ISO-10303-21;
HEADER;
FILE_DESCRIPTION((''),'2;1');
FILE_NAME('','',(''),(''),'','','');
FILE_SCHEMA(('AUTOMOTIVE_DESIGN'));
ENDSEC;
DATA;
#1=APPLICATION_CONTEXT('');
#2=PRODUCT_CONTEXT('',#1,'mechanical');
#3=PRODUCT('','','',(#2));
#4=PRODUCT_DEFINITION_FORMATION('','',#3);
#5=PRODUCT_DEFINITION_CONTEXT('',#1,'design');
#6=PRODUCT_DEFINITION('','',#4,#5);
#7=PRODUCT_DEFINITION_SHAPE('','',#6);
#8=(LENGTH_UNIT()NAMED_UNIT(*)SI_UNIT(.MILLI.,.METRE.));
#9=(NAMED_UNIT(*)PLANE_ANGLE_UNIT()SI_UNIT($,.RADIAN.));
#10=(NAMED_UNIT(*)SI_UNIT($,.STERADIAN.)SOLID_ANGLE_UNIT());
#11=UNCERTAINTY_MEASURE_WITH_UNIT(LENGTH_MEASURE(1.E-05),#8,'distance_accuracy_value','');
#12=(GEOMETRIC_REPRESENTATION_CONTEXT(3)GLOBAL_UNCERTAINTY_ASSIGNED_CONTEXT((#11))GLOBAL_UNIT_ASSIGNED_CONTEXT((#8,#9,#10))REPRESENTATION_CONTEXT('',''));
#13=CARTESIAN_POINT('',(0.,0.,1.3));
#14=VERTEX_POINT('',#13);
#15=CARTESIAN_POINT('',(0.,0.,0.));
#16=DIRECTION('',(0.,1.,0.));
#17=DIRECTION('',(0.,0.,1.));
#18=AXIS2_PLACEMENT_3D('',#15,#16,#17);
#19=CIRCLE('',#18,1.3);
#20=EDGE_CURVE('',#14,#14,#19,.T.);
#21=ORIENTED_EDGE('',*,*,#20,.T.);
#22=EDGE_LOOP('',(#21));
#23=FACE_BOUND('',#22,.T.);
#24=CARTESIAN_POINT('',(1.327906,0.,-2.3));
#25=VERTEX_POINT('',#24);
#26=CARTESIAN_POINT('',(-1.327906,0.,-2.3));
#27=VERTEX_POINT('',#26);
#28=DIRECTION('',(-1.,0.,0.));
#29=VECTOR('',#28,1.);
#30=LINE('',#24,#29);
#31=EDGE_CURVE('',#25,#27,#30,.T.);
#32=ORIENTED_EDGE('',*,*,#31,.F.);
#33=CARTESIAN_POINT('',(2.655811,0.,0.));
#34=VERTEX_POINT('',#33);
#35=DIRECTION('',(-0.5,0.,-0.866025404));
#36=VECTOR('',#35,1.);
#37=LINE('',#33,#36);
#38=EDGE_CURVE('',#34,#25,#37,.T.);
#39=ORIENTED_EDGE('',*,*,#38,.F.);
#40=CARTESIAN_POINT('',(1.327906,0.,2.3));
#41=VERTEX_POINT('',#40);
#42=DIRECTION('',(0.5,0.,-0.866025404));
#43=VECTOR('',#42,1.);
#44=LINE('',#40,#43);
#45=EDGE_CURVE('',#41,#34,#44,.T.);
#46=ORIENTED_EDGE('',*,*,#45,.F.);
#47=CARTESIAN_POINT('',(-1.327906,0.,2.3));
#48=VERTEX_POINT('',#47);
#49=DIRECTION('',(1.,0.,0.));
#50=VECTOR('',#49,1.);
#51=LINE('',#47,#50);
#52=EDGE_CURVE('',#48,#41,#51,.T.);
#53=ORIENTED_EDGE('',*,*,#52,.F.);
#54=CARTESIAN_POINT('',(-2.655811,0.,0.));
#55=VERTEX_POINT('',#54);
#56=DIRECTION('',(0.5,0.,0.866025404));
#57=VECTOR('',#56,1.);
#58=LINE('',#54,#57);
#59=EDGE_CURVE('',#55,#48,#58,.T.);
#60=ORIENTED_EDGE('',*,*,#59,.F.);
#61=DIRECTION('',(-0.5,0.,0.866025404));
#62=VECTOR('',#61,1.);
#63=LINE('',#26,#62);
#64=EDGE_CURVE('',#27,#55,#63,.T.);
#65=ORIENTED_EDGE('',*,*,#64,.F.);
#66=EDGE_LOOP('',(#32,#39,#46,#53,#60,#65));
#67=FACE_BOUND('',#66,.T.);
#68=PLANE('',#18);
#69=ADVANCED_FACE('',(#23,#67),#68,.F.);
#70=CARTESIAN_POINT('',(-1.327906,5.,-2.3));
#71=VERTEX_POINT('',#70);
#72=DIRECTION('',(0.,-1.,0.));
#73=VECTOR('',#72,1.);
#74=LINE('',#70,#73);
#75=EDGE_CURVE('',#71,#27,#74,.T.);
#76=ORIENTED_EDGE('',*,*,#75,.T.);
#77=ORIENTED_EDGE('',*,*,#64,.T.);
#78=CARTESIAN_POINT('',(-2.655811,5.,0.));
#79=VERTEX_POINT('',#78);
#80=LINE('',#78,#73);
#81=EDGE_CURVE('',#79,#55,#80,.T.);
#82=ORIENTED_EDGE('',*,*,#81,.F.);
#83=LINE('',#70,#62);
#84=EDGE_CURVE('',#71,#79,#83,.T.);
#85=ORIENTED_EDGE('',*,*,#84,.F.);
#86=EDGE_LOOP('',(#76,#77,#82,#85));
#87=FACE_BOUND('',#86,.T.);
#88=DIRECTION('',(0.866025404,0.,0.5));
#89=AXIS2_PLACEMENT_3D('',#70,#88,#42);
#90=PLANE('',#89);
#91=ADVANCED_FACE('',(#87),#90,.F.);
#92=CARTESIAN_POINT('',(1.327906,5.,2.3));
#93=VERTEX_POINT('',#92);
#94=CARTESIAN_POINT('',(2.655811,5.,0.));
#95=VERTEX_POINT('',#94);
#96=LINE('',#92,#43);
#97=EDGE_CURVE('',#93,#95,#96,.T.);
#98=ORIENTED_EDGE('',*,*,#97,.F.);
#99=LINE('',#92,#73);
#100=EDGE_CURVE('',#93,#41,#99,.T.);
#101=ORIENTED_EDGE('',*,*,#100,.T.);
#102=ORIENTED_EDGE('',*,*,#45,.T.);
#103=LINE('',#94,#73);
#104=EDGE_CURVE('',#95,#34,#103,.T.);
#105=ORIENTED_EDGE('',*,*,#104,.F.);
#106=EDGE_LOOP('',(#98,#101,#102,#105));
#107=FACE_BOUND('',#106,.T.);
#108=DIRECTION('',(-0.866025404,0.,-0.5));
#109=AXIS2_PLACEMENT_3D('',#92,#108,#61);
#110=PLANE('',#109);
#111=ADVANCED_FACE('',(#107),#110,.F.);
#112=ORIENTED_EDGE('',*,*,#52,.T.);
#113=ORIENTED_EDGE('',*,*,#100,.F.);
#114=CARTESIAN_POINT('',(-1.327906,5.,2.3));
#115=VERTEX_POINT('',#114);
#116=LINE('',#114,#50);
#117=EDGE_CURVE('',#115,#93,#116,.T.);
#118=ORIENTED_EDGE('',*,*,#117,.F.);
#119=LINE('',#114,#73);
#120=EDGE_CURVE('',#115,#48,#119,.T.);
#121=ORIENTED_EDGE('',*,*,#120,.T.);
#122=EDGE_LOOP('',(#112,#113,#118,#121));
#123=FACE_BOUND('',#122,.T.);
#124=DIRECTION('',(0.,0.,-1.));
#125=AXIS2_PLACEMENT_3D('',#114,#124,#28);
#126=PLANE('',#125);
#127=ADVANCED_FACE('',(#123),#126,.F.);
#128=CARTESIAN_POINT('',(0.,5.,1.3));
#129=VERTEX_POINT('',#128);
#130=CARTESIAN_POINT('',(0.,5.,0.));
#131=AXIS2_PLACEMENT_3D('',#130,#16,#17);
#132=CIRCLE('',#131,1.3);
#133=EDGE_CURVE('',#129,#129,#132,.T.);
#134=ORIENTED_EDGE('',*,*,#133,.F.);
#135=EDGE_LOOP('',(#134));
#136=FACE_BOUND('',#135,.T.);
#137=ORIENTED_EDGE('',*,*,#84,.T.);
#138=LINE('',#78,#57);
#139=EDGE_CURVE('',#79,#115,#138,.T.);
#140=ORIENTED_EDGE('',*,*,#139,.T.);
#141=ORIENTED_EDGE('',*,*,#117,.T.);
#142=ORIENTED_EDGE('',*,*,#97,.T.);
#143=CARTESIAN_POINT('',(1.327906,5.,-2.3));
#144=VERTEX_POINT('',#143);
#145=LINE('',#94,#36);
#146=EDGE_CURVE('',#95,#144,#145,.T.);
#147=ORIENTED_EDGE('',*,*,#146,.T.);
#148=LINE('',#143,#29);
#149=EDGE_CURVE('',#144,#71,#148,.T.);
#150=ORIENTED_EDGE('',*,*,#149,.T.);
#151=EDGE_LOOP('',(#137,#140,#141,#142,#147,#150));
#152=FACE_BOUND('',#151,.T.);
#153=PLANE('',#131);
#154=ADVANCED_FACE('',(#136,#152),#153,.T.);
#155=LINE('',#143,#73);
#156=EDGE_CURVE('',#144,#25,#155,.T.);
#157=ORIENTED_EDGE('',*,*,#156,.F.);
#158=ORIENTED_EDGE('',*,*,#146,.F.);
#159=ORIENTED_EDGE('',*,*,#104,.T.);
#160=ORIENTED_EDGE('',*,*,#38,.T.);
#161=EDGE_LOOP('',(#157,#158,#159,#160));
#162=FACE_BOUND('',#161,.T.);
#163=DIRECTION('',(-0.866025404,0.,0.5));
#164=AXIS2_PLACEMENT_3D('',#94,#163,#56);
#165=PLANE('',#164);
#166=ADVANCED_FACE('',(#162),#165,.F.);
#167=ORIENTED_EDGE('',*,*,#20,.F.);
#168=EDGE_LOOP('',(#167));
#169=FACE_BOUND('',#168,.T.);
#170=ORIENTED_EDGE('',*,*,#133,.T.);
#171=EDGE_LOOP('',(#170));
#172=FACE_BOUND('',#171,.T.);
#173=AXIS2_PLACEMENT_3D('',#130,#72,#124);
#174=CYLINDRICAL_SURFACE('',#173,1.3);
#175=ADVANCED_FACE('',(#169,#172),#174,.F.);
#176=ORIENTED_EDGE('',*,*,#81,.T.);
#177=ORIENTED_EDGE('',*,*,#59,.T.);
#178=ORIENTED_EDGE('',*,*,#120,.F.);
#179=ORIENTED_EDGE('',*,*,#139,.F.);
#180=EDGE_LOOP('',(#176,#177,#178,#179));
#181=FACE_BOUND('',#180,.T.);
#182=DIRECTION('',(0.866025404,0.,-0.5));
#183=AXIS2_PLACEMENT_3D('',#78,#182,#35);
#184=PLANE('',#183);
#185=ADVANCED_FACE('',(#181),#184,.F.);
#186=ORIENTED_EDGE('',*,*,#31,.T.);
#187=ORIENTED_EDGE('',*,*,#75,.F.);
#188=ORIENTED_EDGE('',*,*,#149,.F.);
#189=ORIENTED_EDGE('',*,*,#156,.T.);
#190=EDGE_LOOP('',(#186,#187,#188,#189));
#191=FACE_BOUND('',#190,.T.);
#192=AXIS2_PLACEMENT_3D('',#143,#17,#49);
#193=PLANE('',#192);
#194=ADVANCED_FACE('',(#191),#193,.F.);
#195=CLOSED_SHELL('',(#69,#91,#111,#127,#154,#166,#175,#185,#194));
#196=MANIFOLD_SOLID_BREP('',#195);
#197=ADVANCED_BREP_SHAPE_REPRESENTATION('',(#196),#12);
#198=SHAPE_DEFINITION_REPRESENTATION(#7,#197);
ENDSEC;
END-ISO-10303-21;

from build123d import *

# Parameters (mm, degrees)
CROQUIS1_R              = 1.3
SALIENTE_EXTRUIR1_DEPTH = 5


with BuildPart() as part:
    # Croquis1 → Saliente-Extruir1 (new body)
    with BuildSketch(Plane(origin=(0, 0, 0), x_dir=(1, 0, 0), z_dir=(0, 1, 0))):
        Polygon((1.327905619, -2.3), (2.655811238, 0), (1.327905619, 2.3), (-1.327905619, 2.3), (-2.655811238, 0), (-1.327905619, -2.3), align=None)
        with Locations(Location((0, 0, 0), (0, 0, 270))):
            Circle(CROQUIS1_R, mode=Mode.SUBTRACT)
    extrude(amount=SALIENTE_EXTRUIR1_DEPTH)


solid = part.part
